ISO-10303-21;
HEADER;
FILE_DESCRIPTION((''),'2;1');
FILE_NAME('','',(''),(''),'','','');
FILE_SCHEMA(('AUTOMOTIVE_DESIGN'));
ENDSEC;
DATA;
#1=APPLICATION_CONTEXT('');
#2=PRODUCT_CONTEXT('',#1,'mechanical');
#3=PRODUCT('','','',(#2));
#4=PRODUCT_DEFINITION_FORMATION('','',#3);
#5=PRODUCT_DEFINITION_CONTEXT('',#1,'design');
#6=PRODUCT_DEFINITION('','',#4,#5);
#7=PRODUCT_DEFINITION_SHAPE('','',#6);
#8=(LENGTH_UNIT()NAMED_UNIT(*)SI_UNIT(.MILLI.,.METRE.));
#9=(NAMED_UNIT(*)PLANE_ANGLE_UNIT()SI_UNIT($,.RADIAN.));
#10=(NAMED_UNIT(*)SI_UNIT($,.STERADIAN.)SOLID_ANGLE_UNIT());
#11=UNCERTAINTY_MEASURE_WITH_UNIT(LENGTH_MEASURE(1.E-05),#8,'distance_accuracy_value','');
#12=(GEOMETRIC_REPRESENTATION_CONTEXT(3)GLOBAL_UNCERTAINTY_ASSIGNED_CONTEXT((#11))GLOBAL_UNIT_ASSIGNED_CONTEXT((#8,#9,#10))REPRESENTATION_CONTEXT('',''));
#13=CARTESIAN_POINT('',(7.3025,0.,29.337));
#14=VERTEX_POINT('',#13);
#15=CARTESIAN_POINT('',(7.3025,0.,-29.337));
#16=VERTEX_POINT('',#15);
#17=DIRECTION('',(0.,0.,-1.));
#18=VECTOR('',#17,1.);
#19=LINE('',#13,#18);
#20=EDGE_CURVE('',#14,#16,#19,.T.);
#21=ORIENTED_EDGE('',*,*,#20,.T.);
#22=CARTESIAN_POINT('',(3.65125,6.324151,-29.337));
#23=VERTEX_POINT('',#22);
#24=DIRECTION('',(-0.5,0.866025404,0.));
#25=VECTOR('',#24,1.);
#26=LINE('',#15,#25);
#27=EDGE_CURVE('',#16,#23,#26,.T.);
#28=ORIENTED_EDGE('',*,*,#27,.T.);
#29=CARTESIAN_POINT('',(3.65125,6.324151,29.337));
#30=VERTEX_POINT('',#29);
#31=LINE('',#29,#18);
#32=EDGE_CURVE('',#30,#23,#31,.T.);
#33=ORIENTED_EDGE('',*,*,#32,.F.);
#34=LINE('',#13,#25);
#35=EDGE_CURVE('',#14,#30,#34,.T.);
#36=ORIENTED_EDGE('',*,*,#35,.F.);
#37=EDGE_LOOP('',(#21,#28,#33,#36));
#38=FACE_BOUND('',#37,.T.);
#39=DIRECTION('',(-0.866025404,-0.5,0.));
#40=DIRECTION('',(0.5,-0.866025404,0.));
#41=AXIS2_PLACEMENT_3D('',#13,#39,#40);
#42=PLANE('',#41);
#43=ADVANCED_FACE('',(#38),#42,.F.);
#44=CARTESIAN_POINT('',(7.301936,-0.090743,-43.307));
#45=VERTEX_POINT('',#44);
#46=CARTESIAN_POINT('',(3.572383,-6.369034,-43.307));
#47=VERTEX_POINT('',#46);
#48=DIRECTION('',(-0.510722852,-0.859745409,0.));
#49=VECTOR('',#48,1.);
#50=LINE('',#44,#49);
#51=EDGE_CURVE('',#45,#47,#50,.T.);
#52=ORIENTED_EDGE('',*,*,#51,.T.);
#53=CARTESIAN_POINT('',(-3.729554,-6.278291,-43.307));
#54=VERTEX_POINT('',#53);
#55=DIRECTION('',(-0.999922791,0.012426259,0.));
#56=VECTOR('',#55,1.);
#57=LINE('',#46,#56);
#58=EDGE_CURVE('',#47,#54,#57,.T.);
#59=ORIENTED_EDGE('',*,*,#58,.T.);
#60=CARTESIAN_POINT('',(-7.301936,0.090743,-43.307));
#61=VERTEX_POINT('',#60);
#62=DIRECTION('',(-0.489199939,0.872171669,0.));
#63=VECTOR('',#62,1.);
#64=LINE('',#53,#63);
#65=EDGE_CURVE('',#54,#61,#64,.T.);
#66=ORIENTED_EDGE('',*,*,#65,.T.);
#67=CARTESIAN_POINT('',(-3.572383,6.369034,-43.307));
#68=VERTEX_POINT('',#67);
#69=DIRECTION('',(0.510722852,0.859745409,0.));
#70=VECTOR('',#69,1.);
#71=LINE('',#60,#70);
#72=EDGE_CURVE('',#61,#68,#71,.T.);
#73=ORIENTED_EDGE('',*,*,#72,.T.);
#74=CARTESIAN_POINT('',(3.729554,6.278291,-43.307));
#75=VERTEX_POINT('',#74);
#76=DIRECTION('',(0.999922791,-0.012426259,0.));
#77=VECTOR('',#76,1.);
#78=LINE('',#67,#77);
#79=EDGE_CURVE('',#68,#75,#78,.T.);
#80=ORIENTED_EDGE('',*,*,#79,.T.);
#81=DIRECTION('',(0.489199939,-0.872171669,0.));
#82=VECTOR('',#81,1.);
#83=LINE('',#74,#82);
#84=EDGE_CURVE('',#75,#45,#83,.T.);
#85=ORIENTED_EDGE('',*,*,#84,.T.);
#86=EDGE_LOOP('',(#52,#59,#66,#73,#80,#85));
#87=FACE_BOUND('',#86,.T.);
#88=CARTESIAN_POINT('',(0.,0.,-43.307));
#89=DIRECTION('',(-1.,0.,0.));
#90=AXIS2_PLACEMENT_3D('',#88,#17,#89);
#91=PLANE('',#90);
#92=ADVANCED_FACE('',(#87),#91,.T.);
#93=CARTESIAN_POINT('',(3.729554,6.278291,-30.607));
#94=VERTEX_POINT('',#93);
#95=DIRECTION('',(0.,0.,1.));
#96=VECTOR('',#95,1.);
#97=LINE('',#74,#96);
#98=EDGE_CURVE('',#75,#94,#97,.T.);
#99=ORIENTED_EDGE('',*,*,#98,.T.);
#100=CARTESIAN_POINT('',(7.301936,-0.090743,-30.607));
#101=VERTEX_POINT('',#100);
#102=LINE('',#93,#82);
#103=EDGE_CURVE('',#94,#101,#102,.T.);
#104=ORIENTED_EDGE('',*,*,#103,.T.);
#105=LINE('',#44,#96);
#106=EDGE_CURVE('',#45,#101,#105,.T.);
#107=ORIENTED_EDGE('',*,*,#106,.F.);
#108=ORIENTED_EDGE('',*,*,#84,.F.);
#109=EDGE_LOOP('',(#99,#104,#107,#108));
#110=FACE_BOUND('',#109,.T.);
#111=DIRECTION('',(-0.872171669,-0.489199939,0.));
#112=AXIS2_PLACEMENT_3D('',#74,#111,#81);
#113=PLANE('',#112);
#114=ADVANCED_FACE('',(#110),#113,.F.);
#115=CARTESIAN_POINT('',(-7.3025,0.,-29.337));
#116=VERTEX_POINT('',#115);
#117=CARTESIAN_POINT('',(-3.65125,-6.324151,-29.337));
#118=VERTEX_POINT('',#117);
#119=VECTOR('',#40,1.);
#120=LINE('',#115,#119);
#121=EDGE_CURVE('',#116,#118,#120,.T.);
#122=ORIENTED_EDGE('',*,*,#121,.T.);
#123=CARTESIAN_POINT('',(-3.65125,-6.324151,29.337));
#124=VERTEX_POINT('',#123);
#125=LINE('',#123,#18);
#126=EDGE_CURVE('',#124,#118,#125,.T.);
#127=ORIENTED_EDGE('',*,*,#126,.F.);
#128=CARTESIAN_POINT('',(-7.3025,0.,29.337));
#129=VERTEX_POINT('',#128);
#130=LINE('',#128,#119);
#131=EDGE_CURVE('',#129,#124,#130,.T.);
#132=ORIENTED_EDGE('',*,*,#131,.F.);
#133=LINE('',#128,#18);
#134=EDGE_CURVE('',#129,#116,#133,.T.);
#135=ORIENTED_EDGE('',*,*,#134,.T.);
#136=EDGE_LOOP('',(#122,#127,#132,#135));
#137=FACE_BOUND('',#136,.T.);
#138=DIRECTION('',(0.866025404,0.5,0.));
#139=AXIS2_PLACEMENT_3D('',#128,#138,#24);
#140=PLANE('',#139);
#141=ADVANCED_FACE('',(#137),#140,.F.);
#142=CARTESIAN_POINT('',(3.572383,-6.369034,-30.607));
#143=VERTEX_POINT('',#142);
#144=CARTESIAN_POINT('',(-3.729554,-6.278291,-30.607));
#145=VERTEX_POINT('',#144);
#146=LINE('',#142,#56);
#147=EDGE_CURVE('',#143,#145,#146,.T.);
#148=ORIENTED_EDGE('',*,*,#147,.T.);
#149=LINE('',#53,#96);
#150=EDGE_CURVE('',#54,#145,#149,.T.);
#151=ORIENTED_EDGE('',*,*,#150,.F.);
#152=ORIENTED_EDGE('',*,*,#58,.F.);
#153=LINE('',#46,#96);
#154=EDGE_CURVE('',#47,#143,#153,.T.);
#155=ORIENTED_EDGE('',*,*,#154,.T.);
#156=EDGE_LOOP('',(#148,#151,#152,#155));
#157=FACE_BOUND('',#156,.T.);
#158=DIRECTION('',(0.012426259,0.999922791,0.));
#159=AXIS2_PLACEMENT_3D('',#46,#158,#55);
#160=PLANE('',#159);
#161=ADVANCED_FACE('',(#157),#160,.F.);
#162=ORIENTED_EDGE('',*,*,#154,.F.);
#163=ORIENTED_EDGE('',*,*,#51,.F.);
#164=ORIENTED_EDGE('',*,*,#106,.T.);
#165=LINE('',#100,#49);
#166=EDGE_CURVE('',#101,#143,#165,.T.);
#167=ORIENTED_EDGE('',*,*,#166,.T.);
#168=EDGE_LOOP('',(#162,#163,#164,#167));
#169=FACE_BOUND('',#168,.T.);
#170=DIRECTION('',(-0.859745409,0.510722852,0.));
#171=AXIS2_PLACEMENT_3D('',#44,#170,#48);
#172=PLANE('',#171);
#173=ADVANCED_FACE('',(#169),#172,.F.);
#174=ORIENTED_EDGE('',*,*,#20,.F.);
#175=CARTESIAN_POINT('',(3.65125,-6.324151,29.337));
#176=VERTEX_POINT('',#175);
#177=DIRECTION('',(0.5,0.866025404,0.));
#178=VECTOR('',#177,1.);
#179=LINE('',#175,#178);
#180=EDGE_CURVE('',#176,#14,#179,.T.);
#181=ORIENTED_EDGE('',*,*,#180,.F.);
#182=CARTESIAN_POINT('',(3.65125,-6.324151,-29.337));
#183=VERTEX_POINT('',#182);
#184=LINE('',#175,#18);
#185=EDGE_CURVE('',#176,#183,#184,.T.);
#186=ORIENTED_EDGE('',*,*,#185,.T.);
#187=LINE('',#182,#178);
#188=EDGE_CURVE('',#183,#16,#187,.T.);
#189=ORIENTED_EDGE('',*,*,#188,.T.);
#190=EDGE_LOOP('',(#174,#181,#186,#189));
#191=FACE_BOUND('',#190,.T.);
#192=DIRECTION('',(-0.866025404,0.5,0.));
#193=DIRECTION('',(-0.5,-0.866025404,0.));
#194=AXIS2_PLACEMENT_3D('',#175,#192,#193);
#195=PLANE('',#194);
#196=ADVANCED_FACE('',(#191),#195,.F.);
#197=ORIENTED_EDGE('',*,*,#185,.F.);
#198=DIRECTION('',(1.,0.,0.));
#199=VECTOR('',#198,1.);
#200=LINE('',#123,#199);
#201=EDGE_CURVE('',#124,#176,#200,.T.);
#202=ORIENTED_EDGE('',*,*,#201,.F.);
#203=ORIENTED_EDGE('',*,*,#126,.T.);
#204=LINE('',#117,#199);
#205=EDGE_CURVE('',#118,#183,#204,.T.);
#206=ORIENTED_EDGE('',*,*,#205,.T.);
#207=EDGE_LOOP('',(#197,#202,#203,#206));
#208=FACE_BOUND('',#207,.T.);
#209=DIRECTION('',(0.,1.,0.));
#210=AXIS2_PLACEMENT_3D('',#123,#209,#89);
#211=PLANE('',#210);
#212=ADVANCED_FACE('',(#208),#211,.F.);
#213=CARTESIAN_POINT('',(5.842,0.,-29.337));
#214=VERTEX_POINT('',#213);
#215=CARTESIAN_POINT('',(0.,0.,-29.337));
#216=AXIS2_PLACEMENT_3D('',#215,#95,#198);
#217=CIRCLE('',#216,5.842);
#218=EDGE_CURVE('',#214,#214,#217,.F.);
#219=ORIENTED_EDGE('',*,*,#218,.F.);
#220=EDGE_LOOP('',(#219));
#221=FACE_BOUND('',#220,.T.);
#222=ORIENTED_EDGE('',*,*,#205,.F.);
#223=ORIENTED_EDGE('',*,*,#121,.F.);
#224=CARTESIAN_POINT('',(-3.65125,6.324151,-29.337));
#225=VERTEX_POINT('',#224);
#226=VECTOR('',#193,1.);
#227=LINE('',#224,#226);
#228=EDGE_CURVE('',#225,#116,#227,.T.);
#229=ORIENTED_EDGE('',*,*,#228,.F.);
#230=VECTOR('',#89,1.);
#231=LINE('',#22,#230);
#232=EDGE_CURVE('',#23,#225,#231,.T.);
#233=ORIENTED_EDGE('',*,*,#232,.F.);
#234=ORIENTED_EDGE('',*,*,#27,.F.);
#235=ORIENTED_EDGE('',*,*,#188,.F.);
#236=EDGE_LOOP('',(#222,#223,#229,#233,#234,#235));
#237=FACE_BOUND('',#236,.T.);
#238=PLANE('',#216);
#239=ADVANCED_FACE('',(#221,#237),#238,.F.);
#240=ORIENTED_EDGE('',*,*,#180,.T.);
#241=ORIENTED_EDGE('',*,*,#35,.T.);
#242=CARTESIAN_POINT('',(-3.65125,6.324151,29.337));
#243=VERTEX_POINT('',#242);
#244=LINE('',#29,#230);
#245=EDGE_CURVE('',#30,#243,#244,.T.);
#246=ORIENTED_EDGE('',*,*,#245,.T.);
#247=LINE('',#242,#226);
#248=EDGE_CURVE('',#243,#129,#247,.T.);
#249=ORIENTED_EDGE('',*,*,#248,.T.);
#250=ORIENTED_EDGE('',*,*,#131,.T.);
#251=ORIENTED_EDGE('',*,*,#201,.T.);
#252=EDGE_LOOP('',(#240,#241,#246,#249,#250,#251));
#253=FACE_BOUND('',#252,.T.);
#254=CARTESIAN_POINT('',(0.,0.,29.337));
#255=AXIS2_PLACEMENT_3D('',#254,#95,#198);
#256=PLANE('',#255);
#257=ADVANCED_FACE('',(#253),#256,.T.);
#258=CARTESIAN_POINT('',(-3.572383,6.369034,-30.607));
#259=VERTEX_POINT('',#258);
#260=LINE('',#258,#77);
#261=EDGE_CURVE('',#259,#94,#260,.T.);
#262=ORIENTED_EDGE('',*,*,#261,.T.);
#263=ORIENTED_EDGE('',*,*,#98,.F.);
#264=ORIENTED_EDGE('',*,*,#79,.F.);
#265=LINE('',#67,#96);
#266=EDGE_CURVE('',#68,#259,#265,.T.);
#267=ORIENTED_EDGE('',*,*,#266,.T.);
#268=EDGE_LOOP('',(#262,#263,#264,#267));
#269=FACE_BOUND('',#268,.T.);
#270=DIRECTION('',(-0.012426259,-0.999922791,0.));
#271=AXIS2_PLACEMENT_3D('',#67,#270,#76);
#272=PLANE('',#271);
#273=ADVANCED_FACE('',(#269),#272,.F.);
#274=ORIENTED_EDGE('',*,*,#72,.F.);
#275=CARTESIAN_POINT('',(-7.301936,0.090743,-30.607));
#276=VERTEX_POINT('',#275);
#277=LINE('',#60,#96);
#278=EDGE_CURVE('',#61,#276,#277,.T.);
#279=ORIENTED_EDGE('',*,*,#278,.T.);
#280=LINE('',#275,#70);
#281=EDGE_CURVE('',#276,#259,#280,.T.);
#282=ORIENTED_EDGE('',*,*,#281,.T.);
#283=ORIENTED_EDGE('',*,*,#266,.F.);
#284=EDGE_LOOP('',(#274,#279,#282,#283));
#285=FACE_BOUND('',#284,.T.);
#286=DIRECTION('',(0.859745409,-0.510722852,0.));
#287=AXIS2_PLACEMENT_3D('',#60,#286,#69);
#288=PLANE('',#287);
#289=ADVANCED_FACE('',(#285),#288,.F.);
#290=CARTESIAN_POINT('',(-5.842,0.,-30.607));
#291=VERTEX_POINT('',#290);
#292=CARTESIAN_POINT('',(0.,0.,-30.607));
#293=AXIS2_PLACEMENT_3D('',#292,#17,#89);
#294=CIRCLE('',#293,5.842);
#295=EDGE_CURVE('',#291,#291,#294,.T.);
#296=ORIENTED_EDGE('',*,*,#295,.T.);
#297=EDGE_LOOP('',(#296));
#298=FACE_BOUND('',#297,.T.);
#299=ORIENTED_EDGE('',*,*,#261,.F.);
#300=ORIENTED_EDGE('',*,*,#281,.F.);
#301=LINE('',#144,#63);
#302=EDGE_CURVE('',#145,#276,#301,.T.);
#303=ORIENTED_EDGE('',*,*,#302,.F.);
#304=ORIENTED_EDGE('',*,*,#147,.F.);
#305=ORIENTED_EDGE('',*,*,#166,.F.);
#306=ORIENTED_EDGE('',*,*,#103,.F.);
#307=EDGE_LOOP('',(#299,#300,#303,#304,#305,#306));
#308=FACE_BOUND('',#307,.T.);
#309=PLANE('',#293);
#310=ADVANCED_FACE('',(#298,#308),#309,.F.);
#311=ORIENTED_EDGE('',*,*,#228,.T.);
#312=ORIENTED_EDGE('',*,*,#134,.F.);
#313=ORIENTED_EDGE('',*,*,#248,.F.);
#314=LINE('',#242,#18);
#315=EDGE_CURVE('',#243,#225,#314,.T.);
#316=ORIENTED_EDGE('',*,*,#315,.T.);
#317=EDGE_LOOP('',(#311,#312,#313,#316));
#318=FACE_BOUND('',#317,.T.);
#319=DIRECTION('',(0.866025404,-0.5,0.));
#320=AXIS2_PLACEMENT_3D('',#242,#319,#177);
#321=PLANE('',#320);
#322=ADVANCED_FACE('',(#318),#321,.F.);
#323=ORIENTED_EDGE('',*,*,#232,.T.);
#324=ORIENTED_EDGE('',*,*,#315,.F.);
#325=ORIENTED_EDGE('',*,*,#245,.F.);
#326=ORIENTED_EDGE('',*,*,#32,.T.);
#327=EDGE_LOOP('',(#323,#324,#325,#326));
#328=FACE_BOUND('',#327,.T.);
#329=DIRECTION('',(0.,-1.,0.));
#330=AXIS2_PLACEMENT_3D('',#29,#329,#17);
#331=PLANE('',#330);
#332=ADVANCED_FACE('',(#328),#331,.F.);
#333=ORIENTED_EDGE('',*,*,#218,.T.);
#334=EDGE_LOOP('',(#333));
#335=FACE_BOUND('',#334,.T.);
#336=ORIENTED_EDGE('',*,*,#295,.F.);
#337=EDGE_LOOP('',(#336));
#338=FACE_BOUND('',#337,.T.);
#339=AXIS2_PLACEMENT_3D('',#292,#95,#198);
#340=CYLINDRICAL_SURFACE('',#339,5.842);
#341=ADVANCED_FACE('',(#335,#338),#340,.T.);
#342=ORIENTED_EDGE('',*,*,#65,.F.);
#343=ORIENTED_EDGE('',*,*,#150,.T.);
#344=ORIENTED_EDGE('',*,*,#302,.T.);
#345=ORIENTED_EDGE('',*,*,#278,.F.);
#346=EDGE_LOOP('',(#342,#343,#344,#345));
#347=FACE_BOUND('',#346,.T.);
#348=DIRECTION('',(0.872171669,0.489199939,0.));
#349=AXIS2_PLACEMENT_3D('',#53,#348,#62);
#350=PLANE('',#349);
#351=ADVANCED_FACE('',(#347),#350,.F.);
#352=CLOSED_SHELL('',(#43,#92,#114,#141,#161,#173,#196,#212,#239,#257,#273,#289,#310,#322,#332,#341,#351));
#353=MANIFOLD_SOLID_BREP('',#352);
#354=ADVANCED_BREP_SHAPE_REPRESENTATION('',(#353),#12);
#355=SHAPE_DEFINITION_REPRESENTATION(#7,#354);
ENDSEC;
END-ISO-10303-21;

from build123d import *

# Parameters (mm, degrees)
BOSS_EXTRUDE1_DEPTH = 29.337
SKETCH1_R           = 5.842
BOSS_EXTRUDE2_DEPTH = 1.27
BOSS_EXTRUDE3_DEPTH = 12.7


with BuildPart() as part:
    # Sketch 1 → Boss-Extrude1 (new, symmetric)
    with BuildSketch(Plane.XY):
        Polygon((7.3025, 0), (3.65125, 6.324150511), (-3.65125, 6.324150511), (-7.3025, 0), (-3.65125, -6.324150511), (3.65125, -6.324150511), align=None)
    extrude(amount=BOSS_EXTRUDE1_DEPTH, both=True)

    # Sketch1 → Boss-Extrude2 (add)
    with BuildSketch(Plane(origin=(0, 0, -29.337), x_dir=(-1, 0, 0), z_dir=(0, 0, -1))):
        with Locations(Location((0, 0, 0), (0, 0, 180))):
            Circle(SKETCH1_R)
    extrude(amount=BOSS_EXTRUDE2_DEPTH)

    # Sketch2 → Boss-Extrude3 (add)
    with BuildSketch(Plane(origin=(0, 0, -30.607), x_dir=(-1, 0, 0), z_dir=(0, 0, -1))):
        Polygon((3.729553625, -6.278290851), (7.301936182, 0.090742758), (3.572382557, 6.369033609), (-3.729553625, 6.278290851), (-7.301936182, -0.090742758), (-3.572382557, -6.369033609), align=None)
    extrude(amount=BOSS_EXTRUDE3_DEPTH)


solid = part.part
